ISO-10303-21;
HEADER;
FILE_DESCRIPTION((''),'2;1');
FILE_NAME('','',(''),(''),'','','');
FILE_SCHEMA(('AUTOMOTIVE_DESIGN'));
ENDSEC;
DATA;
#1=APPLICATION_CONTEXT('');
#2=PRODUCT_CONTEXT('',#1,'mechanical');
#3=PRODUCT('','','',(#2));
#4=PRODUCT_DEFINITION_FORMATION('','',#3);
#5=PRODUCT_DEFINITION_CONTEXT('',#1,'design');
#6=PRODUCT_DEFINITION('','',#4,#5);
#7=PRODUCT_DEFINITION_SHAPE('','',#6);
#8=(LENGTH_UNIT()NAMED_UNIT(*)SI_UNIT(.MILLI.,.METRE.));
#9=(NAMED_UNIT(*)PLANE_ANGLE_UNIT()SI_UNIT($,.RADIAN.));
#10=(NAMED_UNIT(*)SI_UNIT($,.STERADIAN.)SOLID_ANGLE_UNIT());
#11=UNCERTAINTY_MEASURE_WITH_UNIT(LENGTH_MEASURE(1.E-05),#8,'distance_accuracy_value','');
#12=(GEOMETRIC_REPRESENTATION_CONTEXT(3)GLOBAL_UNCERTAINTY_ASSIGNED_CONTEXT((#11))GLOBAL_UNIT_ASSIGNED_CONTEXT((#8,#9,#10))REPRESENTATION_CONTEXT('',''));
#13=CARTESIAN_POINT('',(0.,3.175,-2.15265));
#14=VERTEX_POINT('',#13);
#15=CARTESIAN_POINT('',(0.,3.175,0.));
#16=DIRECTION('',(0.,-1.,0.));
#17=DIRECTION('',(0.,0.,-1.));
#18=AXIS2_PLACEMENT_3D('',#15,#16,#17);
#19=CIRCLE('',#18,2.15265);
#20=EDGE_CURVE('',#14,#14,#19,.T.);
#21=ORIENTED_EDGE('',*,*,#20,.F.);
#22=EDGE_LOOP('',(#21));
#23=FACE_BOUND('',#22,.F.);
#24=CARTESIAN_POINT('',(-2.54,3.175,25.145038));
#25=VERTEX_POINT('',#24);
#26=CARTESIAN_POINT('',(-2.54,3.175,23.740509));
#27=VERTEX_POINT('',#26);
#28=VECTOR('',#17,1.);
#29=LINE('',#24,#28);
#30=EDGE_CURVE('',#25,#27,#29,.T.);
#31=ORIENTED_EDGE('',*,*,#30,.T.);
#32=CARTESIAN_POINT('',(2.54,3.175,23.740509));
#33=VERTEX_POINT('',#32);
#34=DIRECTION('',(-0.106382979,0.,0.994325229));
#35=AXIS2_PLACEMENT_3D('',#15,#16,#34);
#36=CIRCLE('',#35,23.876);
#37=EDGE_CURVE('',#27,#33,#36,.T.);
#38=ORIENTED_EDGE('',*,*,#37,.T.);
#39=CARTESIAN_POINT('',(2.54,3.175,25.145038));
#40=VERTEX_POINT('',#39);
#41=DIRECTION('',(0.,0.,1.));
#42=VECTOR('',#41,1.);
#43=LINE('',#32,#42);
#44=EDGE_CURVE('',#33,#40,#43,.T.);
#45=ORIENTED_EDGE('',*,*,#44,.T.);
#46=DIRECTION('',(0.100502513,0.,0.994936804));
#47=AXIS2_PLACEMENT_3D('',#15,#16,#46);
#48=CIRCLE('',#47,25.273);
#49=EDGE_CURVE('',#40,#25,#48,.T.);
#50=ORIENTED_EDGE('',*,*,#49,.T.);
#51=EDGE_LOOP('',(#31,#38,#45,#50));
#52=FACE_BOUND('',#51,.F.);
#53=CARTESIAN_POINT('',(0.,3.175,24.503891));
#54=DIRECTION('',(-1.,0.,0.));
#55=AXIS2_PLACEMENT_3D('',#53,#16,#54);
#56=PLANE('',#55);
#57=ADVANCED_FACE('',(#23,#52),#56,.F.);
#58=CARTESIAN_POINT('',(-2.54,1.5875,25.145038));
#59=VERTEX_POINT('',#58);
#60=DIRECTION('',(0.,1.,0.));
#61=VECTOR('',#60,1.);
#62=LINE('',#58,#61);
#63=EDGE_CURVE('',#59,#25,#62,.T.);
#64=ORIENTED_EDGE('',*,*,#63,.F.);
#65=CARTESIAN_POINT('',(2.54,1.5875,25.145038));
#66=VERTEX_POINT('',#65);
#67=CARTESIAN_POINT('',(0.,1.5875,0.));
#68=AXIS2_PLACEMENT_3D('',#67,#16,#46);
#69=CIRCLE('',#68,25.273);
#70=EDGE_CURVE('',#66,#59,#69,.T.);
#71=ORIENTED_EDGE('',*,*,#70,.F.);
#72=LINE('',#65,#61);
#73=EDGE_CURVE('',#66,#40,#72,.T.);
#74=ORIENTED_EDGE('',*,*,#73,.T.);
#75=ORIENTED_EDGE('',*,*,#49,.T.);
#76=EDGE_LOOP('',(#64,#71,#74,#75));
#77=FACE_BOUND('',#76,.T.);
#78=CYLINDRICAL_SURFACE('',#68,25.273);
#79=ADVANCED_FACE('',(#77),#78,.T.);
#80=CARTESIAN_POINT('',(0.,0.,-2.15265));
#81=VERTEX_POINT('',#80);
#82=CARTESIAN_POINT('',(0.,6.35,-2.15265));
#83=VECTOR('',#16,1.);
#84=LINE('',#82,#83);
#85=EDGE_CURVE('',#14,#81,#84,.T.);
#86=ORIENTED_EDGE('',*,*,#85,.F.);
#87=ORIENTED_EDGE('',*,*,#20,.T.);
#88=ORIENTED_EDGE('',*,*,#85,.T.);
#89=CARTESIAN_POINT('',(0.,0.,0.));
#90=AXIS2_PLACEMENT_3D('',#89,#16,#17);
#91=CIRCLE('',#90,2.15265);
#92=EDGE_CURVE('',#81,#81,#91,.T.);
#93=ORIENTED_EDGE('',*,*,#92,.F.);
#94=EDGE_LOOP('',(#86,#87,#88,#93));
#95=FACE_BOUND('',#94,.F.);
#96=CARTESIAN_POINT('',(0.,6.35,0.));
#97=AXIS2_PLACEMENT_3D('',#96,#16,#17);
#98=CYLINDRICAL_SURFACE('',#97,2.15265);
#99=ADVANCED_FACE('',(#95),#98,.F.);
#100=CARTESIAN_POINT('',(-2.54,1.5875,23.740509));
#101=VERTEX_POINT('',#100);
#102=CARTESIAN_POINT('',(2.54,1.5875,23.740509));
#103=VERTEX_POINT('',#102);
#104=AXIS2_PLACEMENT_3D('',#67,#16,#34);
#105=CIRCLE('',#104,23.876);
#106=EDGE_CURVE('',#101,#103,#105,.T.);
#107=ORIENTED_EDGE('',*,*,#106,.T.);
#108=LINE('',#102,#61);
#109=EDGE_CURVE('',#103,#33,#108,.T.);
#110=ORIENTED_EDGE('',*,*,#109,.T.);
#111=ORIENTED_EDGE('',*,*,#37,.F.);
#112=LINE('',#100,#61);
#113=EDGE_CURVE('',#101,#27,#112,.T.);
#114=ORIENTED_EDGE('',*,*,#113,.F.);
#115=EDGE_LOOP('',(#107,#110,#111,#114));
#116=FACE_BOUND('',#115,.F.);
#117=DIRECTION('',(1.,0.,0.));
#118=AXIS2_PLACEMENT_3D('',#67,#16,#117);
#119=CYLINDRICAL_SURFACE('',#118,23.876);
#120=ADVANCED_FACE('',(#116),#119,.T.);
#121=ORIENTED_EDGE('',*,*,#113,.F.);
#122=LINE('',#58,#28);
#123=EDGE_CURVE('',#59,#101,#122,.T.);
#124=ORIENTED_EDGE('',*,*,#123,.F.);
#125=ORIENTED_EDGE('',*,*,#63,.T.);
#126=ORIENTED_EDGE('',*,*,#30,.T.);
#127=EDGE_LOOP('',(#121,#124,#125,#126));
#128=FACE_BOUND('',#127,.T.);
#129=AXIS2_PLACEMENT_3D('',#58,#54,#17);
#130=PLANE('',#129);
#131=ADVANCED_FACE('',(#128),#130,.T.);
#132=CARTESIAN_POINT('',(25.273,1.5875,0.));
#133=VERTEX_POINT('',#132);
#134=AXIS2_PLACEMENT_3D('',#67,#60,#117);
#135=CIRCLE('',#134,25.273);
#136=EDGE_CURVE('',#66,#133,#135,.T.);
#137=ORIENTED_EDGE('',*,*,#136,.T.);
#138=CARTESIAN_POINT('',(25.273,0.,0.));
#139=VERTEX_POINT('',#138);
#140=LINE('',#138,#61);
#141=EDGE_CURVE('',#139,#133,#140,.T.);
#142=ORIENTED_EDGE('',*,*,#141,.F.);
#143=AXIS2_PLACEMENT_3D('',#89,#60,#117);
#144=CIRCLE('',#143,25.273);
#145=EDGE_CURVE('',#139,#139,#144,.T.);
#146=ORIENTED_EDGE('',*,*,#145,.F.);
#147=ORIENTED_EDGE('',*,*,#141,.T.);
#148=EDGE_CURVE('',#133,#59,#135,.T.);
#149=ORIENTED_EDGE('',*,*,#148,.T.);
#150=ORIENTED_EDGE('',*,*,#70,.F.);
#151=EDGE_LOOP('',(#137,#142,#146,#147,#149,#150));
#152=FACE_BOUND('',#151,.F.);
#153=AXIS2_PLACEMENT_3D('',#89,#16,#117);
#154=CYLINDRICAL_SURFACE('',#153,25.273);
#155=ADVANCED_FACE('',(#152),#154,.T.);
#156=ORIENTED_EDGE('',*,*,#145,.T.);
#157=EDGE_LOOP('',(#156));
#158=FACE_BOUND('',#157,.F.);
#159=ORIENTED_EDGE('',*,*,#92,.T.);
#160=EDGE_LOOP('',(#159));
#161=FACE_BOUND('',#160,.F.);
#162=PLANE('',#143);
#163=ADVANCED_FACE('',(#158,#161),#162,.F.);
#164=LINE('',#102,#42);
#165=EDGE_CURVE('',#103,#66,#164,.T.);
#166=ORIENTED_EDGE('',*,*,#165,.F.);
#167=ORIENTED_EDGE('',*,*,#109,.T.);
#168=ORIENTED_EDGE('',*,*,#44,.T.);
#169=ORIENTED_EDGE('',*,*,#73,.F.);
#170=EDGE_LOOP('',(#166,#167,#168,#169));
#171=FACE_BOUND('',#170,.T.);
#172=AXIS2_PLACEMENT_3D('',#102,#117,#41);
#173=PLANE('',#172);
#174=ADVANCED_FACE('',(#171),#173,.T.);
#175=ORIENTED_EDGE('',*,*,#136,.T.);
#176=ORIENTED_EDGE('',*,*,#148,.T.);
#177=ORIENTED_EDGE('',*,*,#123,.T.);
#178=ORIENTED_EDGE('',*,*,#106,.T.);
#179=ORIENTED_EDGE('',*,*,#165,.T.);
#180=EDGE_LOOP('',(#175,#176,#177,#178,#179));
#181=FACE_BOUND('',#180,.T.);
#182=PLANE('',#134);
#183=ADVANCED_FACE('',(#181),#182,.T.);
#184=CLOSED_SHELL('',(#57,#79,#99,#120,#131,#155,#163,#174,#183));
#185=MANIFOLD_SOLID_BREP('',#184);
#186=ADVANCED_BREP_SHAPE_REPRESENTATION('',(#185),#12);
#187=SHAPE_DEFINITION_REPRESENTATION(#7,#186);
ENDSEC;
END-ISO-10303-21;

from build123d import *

# Parameters (mm, degrees)
SKETCH1_R                 = 25.273
BOSS_EXTRUDE1_DEPTH       = 1.5875
SKETCH2_R                 = 23.876
BOSS_EXTRUDE2_DEPTH       = 1.5875
BOSS_EXTRUDE3_DEPTH       = 1.5875
F_8_CLEARANCE_HOLE1_D     = 4.3053
F_8_CLEARANCE_HOLE1_DEPTH = 3.175


with BuildPart() as part:
    # Sketch1 → Boss-Extrude1 (new body)
    with BuildSketch(Plane(origin=(0, 0, 0), x_dir=(1, 0, 0), z_dir=(0, 1, 0))):
        Circle(SKETCH1_R)
    extrude(amount=BOSS_EXTRUDE1_DEPTH)

    # Sketch2 → Boss-Extrude2 (add)
    with BuildSketch(Plane(origin=(0, 1.5875, 0), x_dir=(1, 0, 0), z_dir=(0, 1, 0))):
        Circle(SKETCH2_R)
    extrude(amount=BOSS_EXTRUDE2_DEPTH)

    # Sketch3 → Boss-Extrude3 (add)
    with BuildSketch(Plane(origin=(0, 1.5875, 0), x_dir=(1, 0, 0), z_dir=(0, 1, 0))):
        with BuildLine():
            Line((-2.54, -25.14503786), (-2.54, -23.740509177))
            ThreePointArc((-2.54, -23.740509177), (0, -23.876), (2.54, -23.740509177))
            Line((2.54, -23.740509177), (2.54, -25.14503786))
            ThreePointArc((2.54, -25.14503786), (0, -25.273), (-2.54, -25.14503786))
        make_face()
    extrude(amount=BOSS_EXTRUDE3_DEPTH)

    # #8 Clearance Hole1
    with Locations(Plane.ZX.offset(3.175)):
        with Locations((0, 0)):
            Hole(F_8_CLEARANCE_HOLE1_D / 2, depth=F_8_CLEARANCE_HOLE1_DEPTH)


solid = part.part
